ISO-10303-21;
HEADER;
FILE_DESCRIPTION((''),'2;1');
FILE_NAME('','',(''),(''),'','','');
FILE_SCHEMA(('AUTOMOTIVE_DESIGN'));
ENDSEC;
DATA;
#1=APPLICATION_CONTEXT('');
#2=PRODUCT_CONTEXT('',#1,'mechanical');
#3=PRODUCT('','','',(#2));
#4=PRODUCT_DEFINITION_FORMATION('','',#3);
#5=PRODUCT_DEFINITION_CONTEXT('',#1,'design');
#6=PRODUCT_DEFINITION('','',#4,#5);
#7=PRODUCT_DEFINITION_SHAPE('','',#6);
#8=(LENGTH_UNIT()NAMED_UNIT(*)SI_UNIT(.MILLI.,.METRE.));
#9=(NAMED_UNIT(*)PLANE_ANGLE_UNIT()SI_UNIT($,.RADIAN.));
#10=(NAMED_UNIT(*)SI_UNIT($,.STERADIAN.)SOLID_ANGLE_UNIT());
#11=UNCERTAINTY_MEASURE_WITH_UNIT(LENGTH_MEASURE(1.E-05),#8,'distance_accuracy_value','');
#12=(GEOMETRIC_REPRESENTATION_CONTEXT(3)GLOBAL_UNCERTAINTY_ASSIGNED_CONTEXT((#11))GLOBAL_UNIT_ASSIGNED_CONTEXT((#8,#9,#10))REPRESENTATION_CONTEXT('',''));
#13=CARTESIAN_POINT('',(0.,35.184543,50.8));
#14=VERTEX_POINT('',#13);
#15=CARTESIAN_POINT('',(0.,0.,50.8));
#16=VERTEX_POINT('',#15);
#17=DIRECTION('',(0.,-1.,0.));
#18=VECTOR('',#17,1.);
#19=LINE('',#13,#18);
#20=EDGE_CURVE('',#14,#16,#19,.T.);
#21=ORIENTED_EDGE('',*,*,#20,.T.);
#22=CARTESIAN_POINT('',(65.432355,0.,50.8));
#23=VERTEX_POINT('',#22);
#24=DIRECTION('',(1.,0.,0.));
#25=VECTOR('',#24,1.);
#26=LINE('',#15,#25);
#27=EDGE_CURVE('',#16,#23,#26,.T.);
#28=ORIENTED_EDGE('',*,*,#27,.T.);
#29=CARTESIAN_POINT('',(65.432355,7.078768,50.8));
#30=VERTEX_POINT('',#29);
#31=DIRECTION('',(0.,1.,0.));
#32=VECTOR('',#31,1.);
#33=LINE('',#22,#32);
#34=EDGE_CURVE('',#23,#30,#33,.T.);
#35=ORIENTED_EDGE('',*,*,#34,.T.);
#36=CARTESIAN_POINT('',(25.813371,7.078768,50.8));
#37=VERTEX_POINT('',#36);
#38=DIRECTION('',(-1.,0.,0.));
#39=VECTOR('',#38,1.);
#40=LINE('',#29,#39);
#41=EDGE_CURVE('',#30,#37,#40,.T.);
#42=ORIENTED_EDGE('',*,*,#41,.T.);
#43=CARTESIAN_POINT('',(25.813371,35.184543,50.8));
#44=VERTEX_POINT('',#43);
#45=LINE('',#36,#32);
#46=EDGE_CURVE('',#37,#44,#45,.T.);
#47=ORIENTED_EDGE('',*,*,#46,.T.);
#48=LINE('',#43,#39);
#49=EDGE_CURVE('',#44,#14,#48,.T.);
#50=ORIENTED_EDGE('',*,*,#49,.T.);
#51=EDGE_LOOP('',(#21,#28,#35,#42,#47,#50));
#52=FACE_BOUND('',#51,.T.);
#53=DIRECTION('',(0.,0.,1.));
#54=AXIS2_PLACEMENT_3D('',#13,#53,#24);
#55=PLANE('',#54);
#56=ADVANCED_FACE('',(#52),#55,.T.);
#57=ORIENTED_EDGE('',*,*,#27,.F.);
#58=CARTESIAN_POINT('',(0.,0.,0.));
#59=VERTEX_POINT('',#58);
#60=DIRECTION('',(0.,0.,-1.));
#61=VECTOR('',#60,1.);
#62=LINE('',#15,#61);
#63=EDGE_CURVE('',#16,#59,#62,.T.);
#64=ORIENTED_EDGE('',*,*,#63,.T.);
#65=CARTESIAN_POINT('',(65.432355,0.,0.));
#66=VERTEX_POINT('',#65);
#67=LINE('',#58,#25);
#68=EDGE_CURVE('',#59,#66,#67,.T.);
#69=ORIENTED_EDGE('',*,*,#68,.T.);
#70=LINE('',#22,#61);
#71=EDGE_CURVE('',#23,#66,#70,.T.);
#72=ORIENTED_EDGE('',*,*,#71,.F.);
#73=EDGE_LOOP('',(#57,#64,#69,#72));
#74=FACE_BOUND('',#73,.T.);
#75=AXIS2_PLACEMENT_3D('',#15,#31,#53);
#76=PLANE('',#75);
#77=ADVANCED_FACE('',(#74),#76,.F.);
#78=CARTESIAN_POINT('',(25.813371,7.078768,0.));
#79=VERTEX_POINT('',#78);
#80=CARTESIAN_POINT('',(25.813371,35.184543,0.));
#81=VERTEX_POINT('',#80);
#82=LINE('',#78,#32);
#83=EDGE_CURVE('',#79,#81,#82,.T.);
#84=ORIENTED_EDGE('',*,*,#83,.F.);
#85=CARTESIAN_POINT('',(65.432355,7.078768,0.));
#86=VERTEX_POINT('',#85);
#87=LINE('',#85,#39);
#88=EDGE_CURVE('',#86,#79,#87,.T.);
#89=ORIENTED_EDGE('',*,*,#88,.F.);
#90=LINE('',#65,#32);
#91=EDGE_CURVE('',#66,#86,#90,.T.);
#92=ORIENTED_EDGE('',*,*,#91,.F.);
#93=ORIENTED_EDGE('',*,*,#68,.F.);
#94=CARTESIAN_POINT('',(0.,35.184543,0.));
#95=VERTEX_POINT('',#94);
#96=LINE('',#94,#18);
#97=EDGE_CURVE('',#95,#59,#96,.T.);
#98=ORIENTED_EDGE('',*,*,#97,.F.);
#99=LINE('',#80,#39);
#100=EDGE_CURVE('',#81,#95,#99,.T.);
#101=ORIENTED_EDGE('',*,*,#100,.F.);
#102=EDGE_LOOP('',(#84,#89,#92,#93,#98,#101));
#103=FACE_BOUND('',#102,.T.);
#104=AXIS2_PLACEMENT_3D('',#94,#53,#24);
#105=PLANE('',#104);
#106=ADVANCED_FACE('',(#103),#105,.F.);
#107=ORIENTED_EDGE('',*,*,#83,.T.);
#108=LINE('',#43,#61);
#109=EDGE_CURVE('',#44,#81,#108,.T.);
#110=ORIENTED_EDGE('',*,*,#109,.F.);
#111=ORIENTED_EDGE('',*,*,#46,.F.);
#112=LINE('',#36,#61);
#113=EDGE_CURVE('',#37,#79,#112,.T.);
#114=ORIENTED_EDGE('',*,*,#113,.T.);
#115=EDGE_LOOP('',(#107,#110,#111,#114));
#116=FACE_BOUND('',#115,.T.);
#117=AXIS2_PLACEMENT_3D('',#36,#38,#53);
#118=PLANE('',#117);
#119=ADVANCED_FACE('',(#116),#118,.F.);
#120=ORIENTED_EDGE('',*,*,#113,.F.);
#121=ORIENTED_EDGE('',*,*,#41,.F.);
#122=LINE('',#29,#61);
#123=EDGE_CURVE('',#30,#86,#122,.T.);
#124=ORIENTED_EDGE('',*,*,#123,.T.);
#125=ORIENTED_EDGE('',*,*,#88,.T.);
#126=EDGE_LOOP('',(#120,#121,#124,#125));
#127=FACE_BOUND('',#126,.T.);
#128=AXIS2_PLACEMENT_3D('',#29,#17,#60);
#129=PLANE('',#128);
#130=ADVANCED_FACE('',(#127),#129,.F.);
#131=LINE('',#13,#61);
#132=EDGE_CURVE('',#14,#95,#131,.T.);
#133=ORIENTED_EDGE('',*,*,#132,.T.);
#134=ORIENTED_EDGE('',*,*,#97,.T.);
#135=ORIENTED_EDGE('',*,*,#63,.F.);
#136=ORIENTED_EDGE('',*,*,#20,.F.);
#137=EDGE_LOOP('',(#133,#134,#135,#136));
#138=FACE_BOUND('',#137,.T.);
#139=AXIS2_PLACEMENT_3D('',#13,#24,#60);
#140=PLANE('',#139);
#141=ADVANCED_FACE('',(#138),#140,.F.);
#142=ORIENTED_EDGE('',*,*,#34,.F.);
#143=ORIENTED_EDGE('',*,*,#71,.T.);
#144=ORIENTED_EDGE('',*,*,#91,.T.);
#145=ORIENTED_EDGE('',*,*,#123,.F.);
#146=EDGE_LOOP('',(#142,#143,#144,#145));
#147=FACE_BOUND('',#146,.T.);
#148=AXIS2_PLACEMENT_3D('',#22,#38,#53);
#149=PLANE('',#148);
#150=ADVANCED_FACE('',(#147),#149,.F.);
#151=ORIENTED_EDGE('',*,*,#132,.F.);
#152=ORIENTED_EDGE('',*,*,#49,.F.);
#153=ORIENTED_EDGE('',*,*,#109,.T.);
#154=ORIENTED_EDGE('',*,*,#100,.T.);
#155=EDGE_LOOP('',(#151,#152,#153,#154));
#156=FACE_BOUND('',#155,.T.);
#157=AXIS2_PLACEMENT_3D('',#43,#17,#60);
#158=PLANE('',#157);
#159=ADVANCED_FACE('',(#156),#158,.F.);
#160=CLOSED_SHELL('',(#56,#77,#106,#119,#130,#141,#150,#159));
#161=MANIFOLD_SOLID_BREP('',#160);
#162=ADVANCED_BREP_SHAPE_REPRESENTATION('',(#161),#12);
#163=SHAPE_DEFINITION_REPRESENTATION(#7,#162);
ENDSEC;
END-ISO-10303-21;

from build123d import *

# Parameters (mm, degrees)
EXTRUDE2_DEPTH = 50.8


with BuildPart() as part:
    # Sketch2 → Extrude2 (new body)
    with BuildSketch(Plane.XY):
        Polygon((0, 35.184542787), (0, 0), (65.432354884, 0), (65.432354884, 7.078767645), (25.813370646, 7.078767645), (25.813370646, 35.184542787), align=None)
    extrude(amount=EXTRUDE2_DEPTH)


solid = part.part
